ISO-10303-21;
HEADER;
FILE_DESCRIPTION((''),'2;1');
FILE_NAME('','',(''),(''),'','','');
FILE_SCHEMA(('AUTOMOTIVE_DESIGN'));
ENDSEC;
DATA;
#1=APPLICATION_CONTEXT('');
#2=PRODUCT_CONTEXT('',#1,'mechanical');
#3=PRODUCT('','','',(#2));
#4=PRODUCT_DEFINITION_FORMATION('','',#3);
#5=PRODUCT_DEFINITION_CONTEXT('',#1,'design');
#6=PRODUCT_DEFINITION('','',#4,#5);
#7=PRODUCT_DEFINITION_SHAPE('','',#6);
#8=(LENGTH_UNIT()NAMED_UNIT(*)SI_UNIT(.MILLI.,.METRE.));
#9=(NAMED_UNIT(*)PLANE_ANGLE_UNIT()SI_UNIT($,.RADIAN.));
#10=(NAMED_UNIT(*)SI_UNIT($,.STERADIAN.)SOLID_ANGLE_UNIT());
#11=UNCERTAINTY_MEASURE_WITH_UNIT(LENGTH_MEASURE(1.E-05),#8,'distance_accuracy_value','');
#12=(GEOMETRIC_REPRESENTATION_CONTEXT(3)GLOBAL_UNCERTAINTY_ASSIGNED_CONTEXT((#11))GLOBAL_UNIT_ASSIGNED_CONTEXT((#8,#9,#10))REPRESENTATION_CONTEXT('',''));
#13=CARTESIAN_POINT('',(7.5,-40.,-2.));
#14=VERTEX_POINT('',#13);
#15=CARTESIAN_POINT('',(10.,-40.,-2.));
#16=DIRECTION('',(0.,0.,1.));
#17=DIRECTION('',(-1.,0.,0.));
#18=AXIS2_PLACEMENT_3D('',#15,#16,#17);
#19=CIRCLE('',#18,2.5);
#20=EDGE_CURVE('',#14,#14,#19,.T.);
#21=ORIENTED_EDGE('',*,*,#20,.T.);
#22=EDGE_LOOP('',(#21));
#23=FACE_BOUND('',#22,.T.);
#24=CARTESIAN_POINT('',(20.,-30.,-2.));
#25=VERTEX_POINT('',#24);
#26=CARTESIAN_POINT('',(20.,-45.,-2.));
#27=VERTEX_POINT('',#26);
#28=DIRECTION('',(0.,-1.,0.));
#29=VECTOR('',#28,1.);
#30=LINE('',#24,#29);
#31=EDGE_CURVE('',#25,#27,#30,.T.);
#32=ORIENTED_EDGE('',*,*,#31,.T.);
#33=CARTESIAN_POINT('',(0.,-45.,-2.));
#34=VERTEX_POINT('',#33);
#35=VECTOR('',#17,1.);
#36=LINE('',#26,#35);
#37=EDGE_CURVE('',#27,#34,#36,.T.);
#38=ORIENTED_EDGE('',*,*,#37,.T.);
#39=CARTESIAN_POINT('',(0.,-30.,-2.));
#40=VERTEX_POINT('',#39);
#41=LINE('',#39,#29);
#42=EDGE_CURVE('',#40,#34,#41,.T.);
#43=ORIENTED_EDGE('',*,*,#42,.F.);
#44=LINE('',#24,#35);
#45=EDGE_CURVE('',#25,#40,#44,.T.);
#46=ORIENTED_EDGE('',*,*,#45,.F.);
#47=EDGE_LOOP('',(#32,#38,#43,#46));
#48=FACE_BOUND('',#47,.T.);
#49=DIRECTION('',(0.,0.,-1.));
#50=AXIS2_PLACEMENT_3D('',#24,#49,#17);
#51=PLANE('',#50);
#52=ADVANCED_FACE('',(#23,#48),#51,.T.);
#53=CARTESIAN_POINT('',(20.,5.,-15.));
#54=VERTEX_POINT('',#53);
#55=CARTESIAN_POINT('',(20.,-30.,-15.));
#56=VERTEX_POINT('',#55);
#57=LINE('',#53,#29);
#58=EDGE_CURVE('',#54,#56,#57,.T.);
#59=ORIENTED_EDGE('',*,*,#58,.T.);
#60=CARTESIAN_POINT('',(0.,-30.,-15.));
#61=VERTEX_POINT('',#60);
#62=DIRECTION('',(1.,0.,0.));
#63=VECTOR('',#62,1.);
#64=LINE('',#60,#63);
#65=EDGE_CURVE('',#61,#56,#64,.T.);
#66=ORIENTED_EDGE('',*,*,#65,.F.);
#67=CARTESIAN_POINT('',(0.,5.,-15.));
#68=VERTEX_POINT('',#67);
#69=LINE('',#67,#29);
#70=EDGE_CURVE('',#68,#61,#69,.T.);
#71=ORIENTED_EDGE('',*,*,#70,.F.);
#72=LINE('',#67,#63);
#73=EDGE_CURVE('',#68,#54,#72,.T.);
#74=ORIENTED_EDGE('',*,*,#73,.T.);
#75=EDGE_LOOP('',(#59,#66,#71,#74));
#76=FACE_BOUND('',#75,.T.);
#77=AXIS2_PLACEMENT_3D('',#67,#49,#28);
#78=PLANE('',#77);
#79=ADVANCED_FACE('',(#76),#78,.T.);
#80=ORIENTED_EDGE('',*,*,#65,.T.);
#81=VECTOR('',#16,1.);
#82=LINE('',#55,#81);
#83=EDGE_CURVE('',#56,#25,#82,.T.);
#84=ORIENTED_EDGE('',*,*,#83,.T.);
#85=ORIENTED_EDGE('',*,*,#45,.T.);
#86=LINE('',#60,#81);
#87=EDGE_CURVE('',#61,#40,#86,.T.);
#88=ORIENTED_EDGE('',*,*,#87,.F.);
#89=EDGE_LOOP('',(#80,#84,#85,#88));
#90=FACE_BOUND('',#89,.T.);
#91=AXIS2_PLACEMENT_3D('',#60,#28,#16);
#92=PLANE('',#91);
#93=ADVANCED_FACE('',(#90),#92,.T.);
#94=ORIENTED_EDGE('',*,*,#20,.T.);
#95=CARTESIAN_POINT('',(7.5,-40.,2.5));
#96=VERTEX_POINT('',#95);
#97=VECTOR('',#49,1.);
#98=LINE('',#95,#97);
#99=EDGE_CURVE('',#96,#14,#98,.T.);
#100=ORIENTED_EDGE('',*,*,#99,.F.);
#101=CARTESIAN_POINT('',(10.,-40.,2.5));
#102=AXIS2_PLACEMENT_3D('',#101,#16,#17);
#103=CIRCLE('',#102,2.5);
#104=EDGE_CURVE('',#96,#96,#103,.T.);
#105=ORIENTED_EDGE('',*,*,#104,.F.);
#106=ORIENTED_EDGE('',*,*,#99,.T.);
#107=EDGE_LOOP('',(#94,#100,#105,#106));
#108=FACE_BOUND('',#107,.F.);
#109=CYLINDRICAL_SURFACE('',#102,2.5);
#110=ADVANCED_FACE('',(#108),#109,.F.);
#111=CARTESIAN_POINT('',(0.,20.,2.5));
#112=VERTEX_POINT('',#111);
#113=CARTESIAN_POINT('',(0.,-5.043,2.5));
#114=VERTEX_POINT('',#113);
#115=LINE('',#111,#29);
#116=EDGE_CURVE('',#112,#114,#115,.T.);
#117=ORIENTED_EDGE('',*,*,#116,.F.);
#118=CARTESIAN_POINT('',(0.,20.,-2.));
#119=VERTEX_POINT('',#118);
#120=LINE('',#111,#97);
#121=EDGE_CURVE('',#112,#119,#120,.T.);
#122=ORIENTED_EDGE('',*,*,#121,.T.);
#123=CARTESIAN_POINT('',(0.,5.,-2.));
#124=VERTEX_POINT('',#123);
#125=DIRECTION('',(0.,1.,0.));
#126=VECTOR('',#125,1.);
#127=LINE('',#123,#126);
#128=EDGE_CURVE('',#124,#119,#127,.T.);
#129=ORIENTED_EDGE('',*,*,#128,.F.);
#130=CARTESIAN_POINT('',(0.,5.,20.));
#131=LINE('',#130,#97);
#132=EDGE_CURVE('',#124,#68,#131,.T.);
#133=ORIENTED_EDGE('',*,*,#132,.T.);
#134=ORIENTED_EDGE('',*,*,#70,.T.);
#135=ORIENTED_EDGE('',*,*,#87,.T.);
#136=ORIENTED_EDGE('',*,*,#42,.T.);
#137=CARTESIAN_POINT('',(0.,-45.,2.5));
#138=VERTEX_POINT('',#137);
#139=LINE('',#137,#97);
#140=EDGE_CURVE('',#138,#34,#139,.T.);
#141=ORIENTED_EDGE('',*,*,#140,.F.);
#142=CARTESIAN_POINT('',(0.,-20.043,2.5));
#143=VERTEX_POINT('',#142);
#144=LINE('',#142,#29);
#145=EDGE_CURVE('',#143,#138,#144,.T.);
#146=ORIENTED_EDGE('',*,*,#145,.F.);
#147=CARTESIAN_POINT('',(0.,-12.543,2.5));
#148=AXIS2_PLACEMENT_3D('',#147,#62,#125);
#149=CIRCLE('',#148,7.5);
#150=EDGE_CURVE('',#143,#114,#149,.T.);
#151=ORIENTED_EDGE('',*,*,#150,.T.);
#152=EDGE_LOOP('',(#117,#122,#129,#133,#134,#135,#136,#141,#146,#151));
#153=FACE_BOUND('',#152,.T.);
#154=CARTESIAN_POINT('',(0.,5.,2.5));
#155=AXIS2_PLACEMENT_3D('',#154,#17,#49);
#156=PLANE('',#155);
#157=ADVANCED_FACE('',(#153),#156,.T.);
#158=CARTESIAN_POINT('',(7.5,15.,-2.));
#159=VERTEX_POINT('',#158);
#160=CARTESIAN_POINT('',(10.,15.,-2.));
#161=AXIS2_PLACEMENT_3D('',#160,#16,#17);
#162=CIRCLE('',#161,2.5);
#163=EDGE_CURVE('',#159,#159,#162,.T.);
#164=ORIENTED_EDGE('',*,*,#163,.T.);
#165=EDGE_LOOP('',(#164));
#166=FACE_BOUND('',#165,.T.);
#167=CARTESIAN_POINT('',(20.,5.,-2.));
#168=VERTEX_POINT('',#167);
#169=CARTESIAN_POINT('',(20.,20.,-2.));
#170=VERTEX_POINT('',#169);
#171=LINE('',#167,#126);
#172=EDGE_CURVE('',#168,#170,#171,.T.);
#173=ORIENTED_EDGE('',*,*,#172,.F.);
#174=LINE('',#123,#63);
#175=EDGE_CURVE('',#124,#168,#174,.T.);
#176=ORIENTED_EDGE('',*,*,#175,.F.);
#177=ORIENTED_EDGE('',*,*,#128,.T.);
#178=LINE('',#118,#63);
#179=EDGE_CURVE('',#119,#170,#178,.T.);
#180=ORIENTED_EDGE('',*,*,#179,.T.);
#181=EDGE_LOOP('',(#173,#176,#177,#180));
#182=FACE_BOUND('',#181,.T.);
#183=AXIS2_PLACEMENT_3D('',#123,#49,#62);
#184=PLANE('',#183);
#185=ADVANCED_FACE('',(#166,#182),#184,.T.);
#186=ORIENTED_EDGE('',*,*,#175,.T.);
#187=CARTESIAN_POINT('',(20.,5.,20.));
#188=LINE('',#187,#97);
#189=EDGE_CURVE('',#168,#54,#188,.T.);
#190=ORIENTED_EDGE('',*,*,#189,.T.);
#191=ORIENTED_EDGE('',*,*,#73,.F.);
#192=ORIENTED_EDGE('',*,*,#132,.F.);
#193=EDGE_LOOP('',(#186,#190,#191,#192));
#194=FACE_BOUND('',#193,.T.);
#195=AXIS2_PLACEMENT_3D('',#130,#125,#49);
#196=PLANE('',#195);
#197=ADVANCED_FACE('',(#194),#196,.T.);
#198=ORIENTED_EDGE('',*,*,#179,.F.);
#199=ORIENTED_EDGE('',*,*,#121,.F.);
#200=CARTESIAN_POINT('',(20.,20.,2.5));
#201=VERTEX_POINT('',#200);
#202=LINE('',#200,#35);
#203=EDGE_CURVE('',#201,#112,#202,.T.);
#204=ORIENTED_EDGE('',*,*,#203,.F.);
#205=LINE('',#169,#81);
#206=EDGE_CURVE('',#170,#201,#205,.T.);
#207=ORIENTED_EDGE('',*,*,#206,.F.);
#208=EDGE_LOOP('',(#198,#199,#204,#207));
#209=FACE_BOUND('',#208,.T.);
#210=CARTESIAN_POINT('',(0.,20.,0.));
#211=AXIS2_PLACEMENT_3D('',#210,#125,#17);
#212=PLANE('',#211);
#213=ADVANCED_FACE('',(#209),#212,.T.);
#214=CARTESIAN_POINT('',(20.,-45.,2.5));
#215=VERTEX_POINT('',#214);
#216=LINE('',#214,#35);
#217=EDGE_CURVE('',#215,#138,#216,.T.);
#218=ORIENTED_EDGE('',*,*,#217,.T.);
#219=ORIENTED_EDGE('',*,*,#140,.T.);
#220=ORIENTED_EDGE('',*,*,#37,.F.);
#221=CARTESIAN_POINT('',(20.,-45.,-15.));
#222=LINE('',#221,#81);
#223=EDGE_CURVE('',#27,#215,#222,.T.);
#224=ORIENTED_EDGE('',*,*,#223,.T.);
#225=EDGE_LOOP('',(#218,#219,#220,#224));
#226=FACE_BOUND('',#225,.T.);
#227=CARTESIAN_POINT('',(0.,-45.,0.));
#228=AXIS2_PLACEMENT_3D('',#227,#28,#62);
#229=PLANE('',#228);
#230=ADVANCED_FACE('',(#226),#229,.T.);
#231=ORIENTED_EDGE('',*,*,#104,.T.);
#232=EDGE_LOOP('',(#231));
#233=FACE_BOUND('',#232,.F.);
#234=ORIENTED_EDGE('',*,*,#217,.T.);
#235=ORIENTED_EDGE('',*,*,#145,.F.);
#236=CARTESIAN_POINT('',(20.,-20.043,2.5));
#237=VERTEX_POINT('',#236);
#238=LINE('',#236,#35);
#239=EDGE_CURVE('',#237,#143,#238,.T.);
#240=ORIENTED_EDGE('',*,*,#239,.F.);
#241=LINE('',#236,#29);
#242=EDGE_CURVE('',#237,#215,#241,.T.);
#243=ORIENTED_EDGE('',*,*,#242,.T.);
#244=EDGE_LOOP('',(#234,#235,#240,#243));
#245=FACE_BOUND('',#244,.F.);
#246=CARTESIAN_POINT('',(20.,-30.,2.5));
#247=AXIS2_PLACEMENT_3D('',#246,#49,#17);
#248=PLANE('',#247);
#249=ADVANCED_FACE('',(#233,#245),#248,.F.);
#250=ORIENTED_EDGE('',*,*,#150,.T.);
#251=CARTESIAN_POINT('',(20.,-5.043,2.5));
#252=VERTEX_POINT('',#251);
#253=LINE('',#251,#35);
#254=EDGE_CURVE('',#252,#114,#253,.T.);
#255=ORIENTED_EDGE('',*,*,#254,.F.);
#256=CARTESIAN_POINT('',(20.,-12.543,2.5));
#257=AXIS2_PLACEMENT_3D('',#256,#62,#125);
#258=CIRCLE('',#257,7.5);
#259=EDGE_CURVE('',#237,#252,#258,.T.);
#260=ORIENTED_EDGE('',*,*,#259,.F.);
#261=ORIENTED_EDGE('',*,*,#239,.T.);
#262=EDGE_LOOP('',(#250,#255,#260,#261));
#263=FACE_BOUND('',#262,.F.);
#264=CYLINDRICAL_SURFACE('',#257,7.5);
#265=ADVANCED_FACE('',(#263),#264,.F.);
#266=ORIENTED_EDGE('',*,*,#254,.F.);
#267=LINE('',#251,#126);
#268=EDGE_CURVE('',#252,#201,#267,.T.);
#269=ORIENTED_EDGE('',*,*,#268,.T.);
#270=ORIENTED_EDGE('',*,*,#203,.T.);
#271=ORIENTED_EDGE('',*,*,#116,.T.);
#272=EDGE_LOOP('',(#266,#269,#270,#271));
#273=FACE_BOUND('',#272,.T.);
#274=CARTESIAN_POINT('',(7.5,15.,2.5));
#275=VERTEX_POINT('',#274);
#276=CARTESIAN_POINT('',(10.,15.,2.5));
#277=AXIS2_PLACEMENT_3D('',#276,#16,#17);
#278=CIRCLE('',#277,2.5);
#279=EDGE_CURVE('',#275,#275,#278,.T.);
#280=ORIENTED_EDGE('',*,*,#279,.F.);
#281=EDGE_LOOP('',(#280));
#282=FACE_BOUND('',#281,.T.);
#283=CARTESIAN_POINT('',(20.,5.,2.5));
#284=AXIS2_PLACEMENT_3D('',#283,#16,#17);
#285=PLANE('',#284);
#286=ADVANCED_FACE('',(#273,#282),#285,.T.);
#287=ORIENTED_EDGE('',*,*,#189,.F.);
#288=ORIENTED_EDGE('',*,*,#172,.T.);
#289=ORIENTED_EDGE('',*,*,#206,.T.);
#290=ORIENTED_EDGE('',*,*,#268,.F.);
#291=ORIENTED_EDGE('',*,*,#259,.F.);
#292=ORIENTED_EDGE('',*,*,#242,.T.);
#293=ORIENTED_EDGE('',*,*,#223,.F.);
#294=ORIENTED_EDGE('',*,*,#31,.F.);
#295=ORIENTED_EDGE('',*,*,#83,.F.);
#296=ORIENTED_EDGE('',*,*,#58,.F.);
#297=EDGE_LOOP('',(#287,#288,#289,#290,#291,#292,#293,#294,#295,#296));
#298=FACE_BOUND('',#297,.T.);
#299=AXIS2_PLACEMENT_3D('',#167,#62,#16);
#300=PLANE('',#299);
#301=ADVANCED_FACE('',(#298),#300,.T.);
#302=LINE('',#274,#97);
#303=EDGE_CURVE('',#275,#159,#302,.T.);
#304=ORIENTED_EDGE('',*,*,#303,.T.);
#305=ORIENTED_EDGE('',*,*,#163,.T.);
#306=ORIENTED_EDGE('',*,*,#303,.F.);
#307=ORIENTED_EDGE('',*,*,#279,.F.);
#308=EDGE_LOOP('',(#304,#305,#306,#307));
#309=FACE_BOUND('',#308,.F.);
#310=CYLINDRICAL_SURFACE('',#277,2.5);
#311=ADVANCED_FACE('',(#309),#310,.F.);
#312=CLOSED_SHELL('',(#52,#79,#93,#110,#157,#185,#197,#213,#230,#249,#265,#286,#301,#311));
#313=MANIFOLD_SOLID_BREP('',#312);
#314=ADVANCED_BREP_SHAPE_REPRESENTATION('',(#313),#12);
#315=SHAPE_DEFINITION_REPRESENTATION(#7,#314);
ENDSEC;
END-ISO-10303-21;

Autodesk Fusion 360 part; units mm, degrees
sketch "Boceto1" plane through (0, 0, 0) normal (1, 0, 0) x (0, 1, 0)
  line L0 (-30, 20) -> (5, 20)
  line L1 (5, 20) -> (5, -15)
  line L2 (5, -15) -> (-30, -15)
  line L3 (-30, -15) -> (-30, 20)
extrude "Extruir1" add sketch "Boceto1" along normal blind 20
sketch "Boceto2" plane through (20, 0, 0) normal (1, 0, 0) x (0, 1, 0)
  line L0 (-30, -15) -> (5, -15)
  line L1 (5, -15) -> (5, 20)
  line L2 (5, 20) -> (-30, 20)
  line L3 (-30, 20) -> (-30, -15)
  circle A0 centre (-12.543, 2.5) radius 7.5
  dimension "d3" = 15
extrude "Extruir2" cut sketch "Boceto2" against normal blind 20 contours A0
sketch "Boceto3" plane through (20, 0, 0) normal (1, 0, 0) x (0, 1, 0)
  circle A0 centre (-12.543, 2.5) radius 7.5
  line L0 (-30, -15) -> (5, -15)
  line L1 (5, -15) -> (5, 20)
  line L2 (5, 20) -> (-30, 20)
  line L3 (-30, 20) -> (-30, -15)
  line L4 (-30, 2.5) -> (5, 2.5)
  line L5 (5, 2.5) -> (5, 20)
  line L6 (5, 20) -> (-30, 20)
  line L7 (-30, 20) -> (-30, 2.5)
extrude "Extruir3" cut sketch "Boceto3" against normal blind 20 contours A0 L1 L2 L3 L4 L5 L6 L7
sketch "Boceto4" plane through (0, -30, 0) normal (0, -1, 0) x (1, 0, 0)
  line L0 (20, 2.5) -> (0, 2.5)
  line L1 (0, 2.5) -> (0, -15)
  line L2 (0, -15) -> (20, -15)
  line L3 (20, -15) -> (20, 2.5)
  line L4 (0, 2.5) -> (20, 2.5)
  line L5 (20, 2.5) -> (20, -2)
  line L6 (20, -2) -> (0, -2)
  line L7 (0, -2) -> (0, 2.5)
extrude "Extruir4" add sketch "Boceto4" along normal blind 15 contours L0 L1 L3 L4 L5 L6 L7
sketch "Boceto5" plane through (0, 5, 0) normal (0, 1, 0) x (-1, 0, 0)
  line L0 (0, 2.5) -> (-20, 2.5)
  line L1 (-20, 2.5) -> (-20, -15)
  line L2 (-20, -15) -> (0, -15)
  line L3 (0, -15) -> (0, 2.5)
sketch "Boceto6" plane through (0, 5, 0) normal (0, 1, 0) x (-1, 0, 0)
  line L0 (-20, 2.5) -> (0, 2.5)
  line L1 (0, 2.5) -> (0, -2)
  line L2 (0, -2) -> (-20, -2)
  line L3 (-20, -2) -> (-20, 2.5)
extrude "Extruir5" add sketch "Boceto6" along normal blind 15
sketch "Boceto7" plane through (0, 0, 2.5) normal (0, 0, 1) x (-1, 0, 0)
  line L0 (-20, 45) -> (-20, 20.043)
  line L1 (-20, 20.043) -> (0, 20.043)
  line L2 (0, 20.043) -> (0, 45)
  line L3 (0, 45) -> (-20, 45)
  circle A0 centre (-10, 40) radius 2.5
  circle A1 centre (-10, -15) radius 2.5
  dimension "d12" = 5
  dimension "d13" = 5
extrude "Extruir6" cut sketch "Boceto7" against normal blind 4.5 contours A0 | A1
